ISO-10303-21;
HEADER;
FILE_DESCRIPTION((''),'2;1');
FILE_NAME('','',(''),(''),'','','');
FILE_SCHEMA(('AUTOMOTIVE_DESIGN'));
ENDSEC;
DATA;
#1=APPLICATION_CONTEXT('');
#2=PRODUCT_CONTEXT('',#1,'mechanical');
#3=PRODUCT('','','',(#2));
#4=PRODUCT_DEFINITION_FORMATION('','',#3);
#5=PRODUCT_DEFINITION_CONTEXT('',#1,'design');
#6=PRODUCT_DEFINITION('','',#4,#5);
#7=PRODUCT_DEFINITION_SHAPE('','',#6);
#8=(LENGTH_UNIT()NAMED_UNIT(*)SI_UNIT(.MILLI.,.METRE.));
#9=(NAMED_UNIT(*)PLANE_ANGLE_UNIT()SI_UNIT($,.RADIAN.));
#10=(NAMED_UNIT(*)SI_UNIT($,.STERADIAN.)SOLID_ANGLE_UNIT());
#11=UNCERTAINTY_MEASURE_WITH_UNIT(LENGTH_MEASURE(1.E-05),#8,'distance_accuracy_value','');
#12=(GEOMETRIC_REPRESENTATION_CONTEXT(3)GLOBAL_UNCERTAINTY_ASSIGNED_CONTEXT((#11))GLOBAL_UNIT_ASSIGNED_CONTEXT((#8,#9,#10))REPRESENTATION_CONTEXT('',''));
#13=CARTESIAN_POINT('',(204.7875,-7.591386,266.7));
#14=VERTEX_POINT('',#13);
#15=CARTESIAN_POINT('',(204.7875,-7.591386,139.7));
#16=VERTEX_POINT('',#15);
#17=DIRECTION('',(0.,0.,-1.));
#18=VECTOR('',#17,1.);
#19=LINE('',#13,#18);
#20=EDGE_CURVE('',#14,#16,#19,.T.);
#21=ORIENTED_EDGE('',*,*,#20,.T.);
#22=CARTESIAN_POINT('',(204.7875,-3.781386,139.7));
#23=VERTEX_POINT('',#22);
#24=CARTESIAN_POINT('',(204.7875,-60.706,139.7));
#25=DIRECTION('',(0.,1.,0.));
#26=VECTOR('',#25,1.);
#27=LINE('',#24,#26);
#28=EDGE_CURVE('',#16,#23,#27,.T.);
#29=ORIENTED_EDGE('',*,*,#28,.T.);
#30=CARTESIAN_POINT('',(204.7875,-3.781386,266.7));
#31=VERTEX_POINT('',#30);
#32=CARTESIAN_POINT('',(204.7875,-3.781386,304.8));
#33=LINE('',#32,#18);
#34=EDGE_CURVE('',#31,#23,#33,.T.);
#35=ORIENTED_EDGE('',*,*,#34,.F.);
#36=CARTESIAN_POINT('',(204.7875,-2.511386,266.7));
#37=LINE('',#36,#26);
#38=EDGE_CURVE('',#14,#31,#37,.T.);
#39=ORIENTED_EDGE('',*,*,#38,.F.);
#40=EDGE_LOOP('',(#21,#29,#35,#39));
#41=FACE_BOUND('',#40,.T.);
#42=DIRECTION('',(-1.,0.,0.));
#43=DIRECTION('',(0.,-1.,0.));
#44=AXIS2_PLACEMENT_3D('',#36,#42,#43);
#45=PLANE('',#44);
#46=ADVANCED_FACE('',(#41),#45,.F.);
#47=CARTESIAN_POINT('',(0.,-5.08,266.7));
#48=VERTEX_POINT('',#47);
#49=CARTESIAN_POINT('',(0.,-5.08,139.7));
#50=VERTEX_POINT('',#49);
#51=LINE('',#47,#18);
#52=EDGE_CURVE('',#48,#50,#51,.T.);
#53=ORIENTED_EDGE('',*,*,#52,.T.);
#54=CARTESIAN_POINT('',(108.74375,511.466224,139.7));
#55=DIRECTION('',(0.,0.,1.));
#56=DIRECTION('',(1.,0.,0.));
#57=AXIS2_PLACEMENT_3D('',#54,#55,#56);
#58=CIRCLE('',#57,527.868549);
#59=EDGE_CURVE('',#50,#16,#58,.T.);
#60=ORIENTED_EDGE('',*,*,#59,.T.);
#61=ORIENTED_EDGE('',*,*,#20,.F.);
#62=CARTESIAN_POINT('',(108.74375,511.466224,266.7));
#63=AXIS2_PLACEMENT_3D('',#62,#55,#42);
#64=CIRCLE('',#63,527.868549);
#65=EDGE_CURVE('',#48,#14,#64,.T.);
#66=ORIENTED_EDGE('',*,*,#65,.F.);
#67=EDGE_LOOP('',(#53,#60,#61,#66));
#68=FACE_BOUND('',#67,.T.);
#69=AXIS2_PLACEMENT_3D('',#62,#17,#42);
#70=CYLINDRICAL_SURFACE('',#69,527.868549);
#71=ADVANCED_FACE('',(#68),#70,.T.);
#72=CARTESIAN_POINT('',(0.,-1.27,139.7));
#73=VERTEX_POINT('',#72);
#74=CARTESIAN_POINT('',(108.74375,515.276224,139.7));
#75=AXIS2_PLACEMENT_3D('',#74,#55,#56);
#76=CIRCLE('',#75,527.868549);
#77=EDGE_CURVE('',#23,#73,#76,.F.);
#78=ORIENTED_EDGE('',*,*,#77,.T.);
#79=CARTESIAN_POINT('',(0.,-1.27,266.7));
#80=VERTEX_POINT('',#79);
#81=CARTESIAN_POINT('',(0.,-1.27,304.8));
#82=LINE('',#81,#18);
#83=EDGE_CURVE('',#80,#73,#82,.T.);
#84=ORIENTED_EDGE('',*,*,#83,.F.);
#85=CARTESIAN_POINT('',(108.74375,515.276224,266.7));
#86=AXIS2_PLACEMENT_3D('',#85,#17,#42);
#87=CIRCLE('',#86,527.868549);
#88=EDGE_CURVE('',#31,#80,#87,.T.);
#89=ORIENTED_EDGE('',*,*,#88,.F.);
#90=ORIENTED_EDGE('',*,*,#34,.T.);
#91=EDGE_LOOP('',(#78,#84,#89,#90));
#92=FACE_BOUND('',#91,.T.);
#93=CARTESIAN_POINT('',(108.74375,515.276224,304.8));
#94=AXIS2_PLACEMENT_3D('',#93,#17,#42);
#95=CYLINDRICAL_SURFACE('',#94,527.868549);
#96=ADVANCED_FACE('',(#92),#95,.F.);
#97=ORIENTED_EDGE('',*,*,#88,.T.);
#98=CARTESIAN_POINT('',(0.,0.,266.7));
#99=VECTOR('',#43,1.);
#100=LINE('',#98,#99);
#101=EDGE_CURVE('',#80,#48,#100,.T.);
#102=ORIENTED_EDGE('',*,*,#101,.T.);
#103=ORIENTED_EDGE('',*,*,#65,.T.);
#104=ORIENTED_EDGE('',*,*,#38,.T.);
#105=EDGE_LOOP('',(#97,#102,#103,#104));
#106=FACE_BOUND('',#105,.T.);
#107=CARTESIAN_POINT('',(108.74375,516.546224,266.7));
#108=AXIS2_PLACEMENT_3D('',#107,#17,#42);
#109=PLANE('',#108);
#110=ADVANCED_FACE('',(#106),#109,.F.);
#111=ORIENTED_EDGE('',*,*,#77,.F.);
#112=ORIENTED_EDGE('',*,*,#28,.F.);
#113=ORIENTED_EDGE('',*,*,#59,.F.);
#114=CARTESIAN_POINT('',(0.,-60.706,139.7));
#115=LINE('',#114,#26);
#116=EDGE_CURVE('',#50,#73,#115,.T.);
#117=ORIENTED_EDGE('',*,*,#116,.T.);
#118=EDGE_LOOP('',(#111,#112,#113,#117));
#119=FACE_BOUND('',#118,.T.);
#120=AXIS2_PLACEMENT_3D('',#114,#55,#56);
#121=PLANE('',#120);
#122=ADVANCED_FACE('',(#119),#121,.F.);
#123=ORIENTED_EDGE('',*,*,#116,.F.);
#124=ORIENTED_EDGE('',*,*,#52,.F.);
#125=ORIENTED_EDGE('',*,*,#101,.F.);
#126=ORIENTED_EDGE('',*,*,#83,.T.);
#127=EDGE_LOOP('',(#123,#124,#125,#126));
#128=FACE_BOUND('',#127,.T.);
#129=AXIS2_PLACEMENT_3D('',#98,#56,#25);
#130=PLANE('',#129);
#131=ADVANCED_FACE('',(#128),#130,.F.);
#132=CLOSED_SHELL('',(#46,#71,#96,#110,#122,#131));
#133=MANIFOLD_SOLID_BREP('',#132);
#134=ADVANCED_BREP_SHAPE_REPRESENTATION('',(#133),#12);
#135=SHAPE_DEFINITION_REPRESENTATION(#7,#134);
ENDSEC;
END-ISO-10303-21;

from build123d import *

# Parameters (mm, degrees)
BOSS_EXTRUDE1_DEPTH = 266.7
CUT_EXTRUDE1_DEPTH  = 304.8
SKETCH3_W           = 204.7875
SKETCH3_H           = 6.35
SKETCH3_H_2         = 133.35
CUT_EXTRUDE2_DEPTH  = 60.706


with BuildPart() as part:
    # Sketch1 → Boss-Extrude1 (new body)
    with BuildSketch(Plane.XY):
        with BuildLine():
            Line((204.7875, -2.511386267), (204.7875, -7.591386267))
            ThreePointArc((204.7875, -7.591386267), (102.270785822, -16.362635969), (0, -5.08))
            Line((0, -5.08), (0, 0))
            ThreePointArc((0, 0), (102.270785822, -11.282635969), (204.7875, -2.511386267))
        make_face()
    extrude(amount=BOSS_EXTRUDE1_DEPTH)

    # Sketch2 → Cut-Extrude1 (cut)
    with BuildSketch(Plane(origin=(0, 0, 0), x_dir=(-1, 0, 0), z_dir=(0, 0, -1))):
        with BuildLine():
            ThreePointArc((0, 0), (-102.270785822, -11.282635969), (-204.7875, -2.511386267))
            Line((-204.7875, -2.511386267), (-204.7875, -3.781386267))
            ThreePointArc((-204.7875, -3.781386267), (-102.270785822, -12.552635969), (0, -1.27))
            Line((0, -1.27), (0, 0))
        make_face()
    extrude(amount=-CUT_EXTRUDE1_DEPTH, mode=Mode.SUBTRACT)

    # Sketch3 → Cut-Extrude2 (cut)
    with BuildSketch(Plane(origin=(0, 0, 0), x_dir=(1, 0, 0), z_dir=(0, 1, 0))):
        with Locations((102.39375, -136.525)):
            Rectangle(SKETCH3_W, SKETCH3_H)
        with Locations((102.39375, -66.675)):
            Rectangle(SKETCH3_W, SKETCH3_H_2)
    extrude(amount=-CUT_EXTRUDE2_DEPTH, mode=Mode.SUBTRACT)


solid = part.part
